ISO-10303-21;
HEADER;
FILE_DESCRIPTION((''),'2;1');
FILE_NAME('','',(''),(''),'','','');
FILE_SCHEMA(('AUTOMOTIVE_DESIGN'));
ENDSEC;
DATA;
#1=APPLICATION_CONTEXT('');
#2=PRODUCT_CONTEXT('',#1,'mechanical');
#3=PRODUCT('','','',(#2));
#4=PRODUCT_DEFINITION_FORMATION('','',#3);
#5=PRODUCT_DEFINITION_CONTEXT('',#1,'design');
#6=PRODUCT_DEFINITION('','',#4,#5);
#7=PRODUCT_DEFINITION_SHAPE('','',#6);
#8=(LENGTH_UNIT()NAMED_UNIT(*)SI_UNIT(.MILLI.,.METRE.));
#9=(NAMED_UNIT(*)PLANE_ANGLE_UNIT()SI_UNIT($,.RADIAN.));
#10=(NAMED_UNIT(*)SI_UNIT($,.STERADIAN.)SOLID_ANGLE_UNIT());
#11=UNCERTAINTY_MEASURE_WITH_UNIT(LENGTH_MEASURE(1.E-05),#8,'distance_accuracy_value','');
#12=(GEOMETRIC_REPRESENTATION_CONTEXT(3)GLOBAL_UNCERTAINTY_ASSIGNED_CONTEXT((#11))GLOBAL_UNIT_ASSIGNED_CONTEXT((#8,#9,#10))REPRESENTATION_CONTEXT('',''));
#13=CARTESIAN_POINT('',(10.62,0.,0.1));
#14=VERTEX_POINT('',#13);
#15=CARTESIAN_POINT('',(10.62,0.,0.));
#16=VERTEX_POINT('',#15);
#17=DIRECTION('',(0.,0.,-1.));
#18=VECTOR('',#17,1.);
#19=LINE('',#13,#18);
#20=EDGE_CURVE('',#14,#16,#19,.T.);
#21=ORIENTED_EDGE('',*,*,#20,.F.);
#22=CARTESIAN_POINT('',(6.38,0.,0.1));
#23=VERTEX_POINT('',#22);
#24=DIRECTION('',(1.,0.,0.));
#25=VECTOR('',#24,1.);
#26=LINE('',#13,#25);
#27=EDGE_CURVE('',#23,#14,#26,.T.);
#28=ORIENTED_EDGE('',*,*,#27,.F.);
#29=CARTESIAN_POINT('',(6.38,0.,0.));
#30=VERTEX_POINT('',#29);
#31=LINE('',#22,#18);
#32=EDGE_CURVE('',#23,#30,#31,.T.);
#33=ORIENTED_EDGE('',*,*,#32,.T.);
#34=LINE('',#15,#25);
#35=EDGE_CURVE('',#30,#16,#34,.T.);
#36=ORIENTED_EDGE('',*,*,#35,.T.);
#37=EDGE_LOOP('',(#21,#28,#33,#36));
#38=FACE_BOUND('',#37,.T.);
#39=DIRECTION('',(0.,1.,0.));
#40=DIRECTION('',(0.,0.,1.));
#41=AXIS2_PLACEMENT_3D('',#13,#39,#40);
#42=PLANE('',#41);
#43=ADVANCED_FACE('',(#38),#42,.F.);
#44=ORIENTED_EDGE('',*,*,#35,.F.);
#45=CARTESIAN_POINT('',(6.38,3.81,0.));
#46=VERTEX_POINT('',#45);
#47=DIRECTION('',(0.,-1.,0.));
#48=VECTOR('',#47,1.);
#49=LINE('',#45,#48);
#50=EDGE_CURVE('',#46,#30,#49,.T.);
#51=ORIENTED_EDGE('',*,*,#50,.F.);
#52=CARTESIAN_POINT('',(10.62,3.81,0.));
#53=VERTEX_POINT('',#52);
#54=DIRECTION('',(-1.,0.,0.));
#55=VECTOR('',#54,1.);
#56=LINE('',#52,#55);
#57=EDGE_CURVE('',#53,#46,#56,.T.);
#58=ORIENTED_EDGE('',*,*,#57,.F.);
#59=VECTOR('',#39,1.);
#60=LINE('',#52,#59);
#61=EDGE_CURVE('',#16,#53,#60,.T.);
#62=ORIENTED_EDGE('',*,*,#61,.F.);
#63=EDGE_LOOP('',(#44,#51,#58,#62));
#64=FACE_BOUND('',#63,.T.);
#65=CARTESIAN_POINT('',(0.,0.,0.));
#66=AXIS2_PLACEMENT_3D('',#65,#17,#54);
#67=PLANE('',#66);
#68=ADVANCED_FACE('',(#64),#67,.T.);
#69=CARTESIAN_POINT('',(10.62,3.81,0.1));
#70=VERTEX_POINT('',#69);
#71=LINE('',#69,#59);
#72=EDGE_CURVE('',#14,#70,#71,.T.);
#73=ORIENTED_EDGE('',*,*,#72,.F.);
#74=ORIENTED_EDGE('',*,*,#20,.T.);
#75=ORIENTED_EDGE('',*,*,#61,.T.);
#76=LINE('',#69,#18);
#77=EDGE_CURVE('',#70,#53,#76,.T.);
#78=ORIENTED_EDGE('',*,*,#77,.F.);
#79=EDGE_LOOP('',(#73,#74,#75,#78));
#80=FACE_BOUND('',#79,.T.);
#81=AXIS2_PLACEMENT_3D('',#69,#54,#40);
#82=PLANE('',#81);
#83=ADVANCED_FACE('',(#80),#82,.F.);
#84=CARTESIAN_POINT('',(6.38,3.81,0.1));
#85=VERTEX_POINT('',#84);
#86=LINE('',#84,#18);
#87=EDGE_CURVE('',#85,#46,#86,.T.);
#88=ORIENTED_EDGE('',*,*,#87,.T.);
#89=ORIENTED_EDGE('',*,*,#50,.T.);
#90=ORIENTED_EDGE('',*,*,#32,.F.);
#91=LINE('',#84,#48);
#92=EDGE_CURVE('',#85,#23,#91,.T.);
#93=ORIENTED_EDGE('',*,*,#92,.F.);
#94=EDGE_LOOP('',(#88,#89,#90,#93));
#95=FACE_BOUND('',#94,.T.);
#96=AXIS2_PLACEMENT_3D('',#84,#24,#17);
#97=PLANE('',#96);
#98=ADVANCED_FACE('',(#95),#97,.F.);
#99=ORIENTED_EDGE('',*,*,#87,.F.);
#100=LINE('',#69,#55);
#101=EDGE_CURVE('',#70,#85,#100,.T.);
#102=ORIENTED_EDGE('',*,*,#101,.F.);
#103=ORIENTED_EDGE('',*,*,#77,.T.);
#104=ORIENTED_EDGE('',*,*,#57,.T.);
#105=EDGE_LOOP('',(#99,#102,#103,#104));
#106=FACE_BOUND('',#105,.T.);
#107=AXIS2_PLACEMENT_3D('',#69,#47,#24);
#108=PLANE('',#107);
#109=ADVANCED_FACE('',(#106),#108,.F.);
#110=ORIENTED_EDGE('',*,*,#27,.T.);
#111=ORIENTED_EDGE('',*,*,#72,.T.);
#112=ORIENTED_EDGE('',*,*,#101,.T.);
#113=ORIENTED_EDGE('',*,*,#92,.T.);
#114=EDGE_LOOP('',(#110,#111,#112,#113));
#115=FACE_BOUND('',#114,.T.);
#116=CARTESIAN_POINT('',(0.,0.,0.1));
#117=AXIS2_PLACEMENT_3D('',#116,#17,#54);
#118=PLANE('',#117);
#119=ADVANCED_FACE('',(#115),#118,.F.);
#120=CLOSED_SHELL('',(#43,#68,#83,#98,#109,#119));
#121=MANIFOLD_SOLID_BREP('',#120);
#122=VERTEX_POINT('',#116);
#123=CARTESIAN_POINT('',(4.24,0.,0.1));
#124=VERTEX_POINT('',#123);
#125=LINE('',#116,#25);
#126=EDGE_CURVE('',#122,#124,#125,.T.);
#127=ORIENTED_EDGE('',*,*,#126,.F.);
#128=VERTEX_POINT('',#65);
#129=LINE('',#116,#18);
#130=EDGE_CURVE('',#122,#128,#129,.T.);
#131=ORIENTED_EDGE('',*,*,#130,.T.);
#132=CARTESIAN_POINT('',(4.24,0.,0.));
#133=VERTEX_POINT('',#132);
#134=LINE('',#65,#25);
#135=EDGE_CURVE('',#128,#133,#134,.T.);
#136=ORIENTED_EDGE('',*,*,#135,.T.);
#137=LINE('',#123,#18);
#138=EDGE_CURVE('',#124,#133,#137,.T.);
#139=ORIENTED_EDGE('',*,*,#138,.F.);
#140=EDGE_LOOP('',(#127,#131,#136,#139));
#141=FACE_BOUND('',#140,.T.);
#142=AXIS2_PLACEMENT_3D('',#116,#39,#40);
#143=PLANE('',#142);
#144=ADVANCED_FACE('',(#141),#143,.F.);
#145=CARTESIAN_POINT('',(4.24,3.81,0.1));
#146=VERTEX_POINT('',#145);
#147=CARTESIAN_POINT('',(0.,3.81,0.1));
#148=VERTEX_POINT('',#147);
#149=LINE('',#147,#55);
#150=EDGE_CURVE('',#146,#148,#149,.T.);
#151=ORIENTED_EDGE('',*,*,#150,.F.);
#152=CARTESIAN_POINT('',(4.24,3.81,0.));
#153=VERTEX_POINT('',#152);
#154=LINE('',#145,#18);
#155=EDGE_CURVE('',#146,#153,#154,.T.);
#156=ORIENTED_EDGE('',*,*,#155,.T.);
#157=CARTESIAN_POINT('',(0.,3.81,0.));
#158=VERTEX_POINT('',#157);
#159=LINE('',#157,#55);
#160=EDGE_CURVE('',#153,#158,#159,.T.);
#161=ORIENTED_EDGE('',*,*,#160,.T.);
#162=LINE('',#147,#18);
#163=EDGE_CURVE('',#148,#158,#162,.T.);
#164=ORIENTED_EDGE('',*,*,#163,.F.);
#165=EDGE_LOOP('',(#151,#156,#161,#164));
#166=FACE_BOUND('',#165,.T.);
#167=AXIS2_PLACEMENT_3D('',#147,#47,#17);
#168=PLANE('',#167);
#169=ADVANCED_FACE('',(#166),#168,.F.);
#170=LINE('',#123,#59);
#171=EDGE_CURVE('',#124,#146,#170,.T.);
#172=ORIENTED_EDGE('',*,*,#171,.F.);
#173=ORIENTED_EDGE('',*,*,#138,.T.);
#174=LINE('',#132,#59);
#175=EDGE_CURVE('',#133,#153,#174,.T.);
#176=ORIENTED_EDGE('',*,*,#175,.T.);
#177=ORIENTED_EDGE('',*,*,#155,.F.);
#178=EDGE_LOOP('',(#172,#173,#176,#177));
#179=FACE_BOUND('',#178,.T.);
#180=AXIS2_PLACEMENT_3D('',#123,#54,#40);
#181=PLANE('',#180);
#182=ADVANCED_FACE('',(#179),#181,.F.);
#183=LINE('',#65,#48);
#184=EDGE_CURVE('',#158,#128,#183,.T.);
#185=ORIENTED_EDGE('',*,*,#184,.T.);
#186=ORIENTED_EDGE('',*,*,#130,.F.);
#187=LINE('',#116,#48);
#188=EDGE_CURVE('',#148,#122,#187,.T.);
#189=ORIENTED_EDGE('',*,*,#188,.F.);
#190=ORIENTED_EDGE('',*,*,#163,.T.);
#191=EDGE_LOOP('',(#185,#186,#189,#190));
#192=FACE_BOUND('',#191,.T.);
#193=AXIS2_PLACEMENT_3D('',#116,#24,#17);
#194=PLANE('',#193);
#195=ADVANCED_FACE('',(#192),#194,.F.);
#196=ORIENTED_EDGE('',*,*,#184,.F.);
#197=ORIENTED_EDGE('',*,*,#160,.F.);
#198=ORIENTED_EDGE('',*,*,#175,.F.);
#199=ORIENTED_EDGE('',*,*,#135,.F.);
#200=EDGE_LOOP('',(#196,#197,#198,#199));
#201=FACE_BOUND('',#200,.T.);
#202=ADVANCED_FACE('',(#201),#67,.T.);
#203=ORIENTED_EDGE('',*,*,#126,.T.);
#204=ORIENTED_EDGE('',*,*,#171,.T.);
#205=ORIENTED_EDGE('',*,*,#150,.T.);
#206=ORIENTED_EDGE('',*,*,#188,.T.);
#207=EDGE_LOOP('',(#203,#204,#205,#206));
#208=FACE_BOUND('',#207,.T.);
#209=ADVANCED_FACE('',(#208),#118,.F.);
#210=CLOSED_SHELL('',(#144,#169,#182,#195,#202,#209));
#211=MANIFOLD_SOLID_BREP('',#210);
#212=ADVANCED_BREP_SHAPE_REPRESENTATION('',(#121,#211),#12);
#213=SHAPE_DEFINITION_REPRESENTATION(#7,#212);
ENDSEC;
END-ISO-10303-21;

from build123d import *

# Parameters (mm, degrees)
ESQUISSE2_W          = 4.24
ESQUISSE2_H          = 3.81
BOSS_EXTRU_1_DEPTH   = 0.1
BOSS_EXTRU_1_2_DEPTH = 0.1


with BuildPart() as part:
    # Esquisse2 → Boss.-Extru.1 (new body)
    with BuildSketch(Plane.XY):
        with Locations((2.12, 1.905)):
            Rectangle(ESQUISSE2_W, ESQUISSE2_H)
    extrude(amount=BOSS_EXTRU_1_DEPTH)


with BuildPart() as body_2:
    # Esquisse2 → Boss.-Extru.1 2 (new body)
    with BuildSketch(Plane.XY):
        with Locations((8.5, 1.905)):
            Rectangle(ESQUISSE2_W, ESQUISSE2_H)
    extrude(amount=BOSS_EXTRU_1_2_DEPTH)


solid = Compound([part.part, body_2.part])
